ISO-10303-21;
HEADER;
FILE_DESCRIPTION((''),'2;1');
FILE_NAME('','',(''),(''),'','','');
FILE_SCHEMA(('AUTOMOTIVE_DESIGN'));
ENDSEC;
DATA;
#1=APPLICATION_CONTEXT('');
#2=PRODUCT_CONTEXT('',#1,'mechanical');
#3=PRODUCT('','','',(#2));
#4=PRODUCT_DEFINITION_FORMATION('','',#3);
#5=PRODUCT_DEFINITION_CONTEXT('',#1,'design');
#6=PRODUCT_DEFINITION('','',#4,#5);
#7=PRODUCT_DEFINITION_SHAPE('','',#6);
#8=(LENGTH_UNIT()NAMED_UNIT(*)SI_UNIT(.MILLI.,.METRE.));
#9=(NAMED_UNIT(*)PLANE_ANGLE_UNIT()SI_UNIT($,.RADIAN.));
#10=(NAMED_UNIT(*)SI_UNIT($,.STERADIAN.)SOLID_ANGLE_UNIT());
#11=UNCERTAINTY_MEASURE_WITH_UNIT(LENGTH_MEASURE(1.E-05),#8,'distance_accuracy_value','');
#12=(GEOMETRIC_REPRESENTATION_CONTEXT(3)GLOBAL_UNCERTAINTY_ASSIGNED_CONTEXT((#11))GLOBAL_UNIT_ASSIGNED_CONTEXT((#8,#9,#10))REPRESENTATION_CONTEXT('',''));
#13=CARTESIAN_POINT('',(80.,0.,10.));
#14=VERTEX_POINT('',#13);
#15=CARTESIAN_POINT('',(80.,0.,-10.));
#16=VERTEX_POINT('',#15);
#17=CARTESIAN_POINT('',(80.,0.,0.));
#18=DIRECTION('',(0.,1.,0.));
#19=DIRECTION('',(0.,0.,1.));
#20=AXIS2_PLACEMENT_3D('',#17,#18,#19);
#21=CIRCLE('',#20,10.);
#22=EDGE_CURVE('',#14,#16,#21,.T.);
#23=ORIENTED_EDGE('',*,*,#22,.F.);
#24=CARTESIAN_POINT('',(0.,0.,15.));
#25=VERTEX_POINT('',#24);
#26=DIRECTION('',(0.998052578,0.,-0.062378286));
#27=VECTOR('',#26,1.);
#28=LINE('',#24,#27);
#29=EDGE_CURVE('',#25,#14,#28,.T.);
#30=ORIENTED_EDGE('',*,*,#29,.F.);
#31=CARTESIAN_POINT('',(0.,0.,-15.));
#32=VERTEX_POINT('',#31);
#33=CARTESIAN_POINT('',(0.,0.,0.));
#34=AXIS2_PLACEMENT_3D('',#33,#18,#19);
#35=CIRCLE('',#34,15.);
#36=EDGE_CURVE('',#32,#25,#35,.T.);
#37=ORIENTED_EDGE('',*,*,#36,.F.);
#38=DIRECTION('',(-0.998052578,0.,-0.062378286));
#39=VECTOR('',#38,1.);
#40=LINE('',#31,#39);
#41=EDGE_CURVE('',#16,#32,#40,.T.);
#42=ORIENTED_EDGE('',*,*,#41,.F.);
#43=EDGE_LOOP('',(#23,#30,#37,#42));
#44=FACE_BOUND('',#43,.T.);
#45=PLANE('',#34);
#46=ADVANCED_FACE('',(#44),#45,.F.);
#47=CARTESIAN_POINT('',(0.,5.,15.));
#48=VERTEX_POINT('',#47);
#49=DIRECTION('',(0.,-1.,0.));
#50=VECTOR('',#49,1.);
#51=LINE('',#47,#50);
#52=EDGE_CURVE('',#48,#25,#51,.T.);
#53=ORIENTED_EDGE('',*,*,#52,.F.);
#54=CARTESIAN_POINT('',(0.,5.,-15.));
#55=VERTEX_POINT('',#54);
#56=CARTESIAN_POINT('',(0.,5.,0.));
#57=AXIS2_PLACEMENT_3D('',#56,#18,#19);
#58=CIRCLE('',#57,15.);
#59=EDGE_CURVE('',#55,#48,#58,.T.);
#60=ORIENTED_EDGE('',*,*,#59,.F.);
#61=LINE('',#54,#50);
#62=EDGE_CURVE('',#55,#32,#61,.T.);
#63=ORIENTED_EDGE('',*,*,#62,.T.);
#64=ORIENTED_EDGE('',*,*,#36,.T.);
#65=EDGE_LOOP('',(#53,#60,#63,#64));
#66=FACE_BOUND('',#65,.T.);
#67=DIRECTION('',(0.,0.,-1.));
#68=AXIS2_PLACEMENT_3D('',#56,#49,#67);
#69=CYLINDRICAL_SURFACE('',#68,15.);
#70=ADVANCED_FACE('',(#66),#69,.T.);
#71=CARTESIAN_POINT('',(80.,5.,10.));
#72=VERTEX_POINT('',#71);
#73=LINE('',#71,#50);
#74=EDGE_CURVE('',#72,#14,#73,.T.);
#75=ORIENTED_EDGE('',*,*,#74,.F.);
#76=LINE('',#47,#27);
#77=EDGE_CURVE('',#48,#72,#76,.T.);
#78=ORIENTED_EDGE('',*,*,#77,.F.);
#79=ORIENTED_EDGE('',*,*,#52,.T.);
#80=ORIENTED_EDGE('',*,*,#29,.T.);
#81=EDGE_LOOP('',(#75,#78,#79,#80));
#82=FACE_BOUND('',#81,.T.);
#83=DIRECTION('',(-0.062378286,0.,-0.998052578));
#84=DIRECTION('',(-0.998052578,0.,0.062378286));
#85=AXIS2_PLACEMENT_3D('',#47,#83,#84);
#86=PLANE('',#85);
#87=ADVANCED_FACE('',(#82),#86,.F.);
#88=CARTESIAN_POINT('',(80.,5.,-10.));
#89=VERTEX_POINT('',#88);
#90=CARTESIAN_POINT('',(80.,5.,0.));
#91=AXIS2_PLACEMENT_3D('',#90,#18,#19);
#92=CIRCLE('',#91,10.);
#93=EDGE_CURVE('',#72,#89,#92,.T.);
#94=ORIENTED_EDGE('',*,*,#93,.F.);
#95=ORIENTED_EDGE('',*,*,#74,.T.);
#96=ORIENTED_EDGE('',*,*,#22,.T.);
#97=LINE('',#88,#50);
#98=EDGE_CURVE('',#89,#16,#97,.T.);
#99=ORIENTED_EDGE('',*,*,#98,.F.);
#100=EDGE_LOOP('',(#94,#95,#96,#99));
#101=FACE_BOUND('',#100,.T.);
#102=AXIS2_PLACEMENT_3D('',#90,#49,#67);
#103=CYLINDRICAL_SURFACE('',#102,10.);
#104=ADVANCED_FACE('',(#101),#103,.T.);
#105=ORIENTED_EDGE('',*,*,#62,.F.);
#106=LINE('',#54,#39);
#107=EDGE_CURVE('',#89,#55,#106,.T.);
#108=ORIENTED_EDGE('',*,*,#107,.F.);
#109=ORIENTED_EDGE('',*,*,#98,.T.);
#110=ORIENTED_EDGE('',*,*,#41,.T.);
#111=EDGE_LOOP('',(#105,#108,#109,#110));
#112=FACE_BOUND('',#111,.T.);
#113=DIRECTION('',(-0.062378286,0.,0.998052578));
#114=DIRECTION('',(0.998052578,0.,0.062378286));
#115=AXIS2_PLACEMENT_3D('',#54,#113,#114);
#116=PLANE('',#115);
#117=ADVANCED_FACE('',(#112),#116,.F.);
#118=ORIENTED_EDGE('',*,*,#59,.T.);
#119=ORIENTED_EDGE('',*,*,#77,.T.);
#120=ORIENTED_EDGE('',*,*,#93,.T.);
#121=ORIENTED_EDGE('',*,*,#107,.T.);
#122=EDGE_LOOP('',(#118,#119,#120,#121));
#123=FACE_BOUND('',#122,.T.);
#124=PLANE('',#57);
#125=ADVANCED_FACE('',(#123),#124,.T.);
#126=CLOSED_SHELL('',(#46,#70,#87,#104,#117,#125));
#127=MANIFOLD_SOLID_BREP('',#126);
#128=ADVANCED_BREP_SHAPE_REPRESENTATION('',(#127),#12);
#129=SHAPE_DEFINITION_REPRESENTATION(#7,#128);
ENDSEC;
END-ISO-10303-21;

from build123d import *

# Parameters (mm, degrees)
BOSS_EXTRUDE1_DEPTH = 5


with BuildPart() as part:
    # Sketch1 → Boss-Extrude1 (new body)
    with BuildSketch(Plane(origin=(0, 0, 0), x_dir=(1, 0, 0), z_dir=(0, 1, 0))):
        with BuildLine():
            Line((0, 15), (80, 10))
            ThreePointArc((80, 10), (90, 0), (80, -10))
            Line((80, -10), (0, -15))
            ThreePointArc((0, -15), (-15, 0), (0, 15))
        make_face()
    extrude(amount=BOSS_EXTRUDE1_DEPTH)


solid = part.part
